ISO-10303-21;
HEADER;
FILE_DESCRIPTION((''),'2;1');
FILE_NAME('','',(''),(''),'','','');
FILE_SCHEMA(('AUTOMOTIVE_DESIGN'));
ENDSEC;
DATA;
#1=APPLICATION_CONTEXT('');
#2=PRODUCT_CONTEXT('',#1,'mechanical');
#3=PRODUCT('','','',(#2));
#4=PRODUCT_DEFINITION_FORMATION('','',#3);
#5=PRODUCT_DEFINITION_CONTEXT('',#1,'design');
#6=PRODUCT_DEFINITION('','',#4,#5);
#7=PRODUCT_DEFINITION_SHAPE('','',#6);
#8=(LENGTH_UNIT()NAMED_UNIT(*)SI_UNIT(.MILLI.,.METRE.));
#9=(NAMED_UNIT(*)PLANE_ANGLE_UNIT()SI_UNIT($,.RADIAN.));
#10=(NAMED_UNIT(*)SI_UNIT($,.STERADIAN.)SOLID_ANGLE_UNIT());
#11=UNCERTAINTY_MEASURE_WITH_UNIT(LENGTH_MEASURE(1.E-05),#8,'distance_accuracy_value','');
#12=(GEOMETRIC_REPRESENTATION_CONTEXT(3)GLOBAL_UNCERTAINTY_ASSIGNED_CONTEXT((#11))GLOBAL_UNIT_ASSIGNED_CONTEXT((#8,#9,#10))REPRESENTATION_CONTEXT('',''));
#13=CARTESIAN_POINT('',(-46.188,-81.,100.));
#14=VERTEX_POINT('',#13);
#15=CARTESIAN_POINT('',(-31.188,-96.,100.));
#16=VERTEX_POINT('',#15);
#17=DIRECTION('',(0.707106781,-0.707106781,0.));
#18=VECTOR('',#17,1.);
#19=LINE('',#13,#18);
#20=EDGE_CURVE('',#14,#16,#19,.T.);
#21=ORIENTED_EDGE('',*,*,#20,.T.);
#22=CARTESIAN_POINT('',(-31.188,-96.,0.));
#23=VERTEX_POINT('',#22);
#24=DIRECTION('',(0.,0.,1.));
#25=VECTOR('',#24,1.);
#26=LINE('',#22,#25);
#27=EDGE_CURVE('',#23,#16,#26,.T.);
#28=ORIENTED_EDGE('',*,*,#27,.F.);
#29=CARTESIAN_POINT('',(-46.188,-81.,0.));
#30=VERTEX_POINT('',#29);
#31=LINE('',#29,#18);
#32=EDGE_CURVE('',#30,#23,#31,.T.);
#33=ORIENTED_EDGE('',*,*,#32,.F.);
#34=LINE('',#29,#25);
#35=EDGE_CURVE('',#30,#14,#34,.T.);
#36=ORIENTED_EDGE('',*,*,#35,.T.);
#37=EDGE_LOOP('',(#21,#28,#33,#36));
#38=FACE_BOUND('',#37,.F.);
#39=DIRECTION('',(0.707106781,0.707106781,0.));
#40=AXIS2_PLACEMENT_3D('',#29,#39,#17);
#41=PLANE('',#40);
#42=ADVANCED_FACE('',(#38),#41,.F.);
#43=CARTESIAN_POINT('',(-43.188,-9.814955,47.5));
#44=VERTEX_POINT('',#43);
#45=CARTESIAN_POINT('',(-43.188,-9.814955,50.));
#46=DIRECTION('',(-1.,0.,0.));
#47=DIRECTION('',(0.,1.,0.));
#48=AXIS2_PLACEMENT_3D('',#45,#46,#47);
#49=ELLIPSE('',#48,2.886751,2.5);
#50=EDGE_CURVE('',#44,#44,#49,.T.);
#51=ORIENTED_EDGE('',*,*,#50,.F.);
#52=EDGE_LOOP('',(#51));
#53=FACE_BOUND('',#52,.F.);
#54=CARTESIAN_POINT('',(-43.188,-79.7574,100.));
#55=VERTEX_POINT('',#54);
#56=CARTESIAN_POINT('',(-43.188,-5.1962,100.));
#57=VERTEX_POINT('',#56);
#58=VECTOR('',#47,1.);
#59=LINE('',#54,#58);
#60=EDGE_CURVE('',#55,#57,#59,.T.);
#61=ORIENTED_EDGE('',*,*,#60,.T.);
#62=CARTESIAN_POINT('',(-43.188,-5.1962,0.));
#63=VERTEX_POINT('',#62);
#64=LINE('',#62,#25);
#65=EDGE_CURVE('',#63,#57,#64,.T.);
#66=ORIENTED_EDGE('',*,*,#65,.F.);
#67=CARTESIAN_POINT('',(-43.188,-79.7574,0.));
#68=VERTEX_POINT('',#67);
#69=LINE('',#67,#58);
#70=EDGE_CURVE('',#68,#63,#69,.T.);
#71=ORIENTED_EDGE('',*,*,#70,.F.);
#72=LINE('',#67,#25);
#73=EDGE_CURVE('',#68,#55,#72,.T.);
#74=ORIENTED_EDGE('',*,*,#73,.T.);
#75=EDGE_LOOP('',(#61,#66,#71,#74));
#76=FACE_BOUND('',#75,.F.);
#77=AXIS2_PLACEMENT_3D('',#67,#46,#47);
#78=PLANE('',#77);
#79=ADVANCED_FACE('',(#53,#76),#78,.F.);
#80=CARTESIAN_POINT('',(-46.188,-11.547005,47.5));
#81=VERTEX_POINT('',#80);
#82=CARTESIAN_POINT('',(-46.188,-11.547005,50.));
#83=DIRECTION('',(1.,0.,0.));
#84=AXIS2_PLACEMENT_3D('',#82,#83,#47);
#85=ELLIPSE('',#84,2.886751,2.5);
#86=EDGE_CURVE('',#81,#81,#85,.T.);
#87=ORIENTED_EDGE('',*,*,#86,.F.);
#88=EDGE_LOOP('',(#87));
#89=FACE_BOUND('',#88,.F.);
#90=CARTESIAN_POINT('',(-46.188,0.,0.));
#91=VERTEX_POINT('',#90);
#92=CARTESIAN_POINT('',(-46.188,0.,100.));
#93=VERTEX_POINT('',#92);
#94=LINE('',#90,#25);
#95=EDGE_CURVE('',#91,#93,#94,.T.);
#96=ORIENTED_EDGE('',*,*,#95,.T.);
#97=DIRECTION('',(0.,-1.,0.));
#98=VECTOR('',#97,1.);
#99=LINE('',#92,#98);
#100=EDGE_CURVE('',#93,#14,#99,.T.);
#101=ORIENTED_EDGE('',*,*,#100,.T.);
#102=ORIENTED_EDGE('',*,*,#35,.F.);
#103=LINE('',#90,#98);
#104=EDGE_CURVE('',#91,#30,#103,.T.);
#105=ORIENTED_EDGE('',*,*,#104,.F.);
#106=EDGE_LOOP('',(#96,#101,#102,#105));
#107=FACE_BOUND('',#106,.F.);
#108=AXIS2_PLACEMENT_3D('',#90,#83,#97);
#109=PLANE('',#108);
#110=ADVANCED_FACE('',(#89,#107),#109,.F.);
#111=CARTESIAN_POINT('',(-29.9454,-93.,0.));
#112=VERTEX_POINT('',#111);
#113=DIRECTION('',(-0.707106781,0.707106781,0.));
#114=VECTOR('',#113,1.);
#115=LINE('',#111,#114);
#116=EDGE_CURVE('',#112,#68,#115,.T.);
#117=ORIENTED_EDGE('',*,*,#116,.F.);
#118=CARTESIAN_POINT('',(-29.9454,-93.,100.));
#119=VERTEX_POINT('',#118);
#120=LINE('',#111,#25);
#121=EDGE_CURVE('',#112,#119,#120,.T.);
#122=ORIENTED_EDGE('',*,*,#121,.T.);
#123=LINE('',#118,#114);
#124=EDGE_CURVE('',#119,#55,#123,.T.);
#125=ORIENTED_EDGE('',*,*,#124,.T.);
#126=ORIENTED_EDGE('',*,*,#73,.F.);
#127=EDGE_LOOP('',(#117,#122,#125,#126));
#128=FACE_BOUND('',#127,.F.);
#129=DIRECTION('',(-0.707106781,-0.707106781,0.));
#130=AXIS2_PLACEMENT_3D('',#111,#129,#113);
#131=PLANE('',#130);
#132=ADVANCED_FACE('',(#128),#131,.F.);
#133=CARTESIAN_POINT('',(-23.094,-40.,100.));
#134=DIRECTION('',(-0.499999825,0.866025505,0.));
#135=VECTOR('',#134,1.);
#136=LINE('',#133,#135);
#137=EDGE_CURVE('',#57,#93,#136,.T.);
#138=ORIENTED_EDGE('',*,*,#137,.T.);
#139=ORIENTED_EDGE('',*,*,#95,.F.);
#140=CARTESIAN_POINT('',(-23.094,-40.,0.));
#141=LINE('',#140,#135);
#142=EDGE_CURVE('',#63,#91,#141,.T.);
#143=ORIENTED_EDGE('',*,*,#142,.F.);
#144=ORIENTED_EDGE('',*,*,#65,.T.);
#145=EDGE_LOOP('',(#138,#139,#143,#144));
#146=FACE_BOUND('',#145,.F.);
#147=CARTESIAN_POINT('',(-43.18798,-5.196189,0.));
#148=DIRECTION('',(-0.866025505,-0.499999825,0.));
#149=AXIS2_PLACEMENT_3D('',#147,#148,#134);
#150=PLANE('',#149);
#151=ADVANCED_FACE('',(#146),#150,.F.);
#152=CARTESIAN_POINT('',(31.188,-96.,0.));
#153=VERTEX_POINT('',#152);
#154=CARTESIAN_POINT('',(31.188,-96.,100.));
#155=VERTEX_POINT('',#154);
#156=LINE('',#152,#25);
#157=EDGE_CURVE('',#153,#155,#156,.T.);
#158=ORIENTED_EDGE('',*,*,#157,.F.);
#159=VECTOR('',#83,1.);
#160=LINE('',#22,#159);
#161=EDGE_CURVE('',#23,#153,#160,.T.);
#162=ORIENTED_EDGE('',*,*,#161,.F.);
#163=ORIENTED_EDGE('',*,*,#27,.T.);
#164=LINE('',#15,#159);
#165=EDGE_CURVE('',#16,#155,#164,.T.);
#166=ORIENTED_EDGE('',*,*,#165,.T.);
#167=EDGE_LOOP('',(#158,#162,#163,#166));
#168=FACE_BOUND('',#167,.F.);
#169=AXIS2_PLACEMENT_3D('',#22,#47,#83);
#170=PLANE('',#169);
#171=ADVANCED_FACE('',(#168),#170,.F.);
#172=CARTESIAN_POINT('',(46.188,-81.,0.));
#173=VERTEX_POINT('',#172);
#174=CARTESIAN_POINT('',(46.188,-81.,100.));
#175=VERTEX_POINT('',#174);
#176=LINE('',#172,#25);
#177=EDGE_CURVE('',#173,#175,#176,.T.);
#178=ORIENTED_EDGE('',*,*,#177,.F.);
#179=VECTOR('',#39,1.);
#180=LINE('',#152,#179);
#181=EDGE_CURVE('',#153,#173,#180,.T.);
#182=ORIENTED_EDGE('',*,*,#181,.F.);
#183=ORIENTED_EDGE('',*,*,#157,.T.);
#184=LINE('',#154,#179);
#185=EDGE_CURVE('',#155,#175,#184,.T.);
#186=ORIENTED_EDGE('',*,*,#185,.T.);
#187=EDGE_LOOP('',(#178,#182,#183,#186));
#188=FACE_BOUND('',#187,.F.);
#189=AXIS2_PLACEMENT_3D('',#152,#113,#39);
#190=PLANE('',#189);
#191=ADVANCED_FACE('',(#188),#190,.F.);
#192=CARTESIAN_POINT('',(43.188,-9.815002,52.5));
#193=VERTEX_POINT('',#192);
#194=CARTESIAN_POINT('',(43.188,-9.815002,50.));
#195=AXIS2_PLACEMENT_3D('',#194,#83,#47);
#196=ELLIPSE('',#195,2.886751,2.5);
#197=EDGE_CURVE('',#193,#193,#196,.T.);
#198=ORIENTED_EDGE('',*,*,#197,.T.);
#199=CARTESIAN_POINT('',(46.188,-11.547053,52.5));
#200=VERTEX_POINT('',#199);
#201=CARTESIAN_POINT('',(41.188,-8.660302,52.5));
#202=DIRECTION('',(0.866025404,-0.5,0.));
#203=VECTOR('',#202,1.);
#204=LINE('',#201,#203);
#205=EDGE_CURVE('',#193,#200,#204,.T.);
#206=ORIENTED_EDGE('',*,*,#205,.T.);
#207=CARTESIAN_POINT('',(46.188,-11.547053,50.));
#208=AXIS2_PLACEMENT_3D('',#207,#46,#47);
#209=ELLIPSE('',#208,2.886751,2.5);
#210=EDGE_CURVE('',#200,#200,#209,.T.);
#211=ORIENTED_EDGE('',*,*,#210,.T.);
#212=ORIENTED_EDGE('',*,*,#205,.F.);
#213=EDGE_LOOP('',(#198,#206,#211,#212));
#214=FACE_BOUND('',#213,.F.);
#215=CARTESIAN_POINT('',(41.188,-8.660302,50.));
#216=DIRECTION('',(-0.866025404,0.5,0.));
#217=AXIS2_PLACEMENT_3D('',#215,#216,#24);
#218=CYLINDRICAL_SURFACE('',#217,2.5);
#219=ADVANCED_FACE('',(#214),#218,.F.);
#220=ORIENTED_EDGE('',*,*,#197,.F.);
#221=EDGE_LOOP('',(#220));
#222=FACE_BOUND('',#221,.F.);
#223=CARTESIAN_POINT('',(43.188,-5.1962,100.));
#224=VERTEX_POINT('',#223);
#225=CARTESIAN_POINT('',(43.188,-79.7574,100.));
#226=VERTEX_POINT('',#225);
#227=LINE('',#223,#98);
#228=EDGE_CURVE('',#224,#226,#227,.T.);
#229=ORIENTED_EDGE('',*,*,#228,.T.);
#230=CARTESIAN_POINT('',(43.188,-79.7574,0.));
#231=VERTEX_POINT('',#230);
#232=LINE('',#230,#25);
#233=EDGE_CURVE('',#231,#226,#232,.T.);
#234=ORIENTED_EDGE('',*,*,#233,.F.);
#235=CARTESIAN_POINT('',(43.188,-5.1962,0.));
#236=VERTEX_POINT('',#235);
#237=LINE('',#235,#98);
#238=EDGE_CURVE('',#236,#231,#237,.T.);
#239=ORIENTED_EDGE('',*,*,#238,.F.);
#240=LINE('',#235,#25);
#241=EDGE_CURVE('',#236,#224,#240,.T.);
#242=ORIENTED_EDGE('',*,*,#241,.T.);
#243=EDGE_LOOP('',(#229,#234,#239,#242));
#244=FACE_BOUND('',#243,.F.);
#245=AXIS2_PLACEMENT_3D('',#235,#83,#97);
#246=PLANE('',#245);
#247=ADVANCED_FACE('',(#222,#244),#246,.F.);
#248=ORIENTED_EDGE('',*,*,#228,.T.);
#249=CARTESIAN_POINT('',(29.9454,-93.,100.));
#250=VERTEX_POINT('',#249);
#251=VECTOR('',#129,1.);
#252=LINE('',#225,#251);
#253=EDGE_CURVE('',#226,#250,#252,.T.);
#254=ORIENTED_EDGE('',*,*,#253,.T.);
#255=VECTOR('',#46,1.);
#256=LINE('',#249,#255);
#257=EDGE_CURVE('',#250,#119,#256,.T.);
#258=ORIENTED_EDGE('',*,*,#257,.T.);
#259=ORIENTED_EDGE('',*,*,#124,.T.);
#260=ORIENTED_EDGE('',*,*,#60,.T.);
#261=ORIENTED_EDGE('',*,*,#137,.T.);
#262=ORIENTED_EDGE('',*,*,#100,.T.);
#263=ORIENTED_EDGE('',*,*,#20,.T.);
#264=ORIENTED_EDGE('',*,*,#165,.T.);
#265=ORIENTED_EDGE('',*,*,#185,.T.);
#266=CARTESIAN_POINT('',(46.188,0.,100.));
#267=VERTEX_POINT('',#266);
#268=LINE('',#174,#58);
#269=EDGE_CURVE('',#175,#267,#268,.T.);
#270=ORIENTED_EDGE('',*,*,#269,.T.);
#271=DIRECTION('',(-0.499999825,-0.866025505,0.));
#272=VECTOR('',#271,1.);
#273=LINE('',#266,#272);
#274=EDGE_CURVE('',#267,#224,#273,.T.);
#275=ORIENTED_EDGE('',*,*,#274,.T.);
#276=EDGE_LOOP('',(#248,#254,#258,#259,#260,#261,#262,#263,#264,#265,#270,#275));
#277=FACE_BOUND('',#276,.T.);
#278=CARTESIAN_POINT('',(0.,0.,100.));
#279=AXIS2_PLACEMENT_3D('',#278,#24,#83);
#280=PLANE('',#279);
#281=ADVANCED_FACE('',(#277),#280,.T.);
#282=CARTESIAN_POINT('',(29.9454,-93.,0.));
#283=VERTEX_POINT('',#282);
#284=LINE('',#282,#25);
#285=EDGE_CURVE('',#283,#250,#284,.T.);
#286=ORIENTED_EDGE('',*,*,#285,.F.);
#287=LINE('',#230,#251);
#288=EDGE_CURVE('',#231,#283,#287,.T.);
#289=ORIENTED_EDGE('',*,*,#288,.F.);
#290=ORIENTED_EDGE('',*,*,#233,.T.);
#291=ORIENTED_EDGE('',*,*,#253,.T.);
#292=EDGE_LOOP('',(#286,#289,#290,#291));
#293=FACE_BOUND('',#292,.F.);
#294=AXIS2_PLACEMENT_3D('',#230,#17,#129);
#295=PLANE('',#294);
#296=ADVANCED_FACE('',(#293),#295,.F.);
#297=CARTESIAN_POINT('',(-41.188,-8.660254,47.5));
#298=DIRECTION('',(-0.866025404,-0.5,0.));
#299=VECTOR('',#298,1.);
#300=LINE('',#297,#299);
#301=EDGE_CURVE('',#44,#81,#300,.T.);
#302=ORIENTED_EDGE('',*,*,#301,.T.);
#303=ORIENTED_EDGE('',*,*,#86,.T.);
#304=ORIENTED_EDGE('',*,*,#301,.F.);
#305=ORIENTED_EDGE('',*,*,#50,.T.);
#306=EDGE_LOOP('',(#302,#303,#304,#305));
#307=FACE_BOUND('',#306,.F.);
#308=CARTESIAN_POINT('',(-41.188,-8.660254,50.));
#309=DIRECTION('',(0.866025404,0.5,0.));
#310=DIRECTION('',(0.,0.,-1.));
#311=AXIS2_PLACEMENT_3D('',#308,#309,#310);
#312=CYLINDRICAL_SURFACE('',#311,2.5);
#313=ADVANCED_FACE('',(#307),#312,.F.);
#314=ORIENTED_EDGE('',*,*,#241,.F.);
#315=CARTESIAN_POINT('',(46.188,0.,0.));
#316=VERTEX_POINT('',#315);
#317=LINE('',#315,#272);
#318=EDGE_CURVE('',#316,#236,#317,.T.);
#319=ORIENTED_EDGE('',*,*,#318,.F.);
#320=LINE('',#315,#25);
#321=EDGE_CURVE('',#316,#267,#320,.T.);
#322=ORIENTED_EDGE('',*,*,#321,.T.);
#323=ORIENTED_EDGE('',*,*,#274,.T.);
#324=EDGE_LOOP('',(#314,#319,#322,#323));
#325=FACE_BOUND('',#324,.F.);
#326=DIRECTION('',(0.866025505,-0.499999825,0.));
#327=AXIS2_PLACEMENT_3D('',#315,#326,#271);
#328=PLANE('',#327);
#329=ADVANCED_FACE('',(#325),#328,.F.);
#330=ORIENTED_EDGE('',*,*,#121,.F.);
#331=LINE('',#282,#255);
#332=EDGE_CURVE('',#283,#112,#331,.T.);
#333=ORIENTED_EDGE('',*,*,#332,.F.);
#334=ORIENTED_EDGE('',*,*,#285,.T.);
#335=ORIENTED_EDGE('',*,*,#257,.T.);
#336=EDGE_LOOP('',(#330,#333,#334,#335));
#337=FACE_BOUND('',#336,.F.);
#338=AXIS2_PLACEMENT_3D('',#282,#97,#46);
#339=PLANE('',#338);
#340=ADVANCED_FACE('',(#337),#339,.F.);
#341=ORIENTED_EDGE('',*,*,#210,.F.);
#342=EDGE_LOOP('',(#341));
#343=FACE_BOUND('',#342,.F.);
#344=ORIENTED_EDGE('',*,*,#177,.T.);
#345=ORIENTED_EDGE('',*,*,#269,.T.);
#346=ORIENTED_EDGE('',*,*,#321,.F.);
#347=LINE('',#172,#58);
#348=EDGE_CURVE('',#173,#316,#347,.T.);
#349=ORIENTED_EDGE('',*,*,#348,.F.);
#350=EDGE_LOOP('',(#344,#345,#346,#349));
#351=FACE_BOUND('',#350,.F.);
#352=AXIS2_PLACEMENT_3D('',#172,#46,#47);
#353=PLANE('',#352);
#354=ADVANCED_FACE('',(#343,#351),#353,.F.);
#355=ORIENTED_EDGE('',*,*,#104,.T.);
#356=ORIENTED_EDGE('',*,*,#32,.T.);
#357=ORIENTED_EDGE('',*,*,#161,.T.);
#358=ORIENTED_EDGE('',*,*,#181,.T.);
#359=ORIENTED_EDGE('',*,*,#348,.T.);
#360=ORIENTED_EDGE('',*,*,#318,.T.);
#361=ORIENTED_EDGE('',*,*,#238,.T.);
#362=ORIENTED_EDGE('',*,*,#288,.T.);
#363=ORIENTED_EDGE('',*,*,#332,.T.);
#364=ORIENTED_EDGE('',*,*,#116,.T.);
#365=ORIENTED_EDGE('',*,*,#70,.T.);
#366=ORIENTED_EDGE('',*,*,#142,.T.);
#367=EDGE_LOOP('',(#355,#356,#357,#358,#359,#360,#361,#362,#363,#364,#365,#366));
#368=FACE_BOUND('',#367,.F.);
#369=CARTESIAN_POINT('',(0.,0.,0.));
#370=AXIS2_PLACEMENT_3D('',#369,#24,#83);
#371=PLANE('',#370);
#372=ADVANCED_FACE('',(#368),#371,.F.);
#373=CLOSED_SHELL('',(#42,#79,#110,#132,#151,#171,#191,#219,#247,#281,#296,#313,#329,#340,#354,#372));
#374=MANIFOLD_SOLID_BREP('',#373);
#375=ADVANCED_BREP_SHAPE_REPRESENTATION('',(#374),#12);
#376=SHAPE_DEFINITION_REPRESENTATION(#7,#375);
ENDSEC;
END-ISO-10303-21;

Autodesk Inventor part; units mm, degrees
ref_plane "YZ Plane" through (0, 0, 0) normal (1, 0, 0) x (0, 1, 0)
ref_plane "XZ Plane" through (0, 0, 0) normal (0, 1, 0) x (-1, 0, 0)
ref_plane "XY Plane" through (0, 0, 0) normal (0, 0, 1) x (1, 0, 0)
sketch "Sketch1" plane through (0, 0, 0) normal (0, 0, 1) x (1, 0, 0)
  line L0 (-46.188, 0) -> (-23.094, 40)
  line L1 (-23.094, 40) -> (23.094, 40)
  line L2 (23.094, 40) -> (46.188, 0)
  line L3 (46.188, 0) -> (23.094, -40)
  line L4 (23.094, -40) -> (-23.094, -40)
  line L5 (-23.094, -40) -> (-46.188, 0)
  line L6 (-48.188, 0) -> (-46.188, 0)
  line L7 (46.188, 0) -> (48.188, 0)
  line L8 (-46.188, 0) -> (-43.188, -5.1962)
  line L9 (46.188, 0) -> (43.188, -5.1962)
  line L10 (-46.188, 0) -> (-46.188, -81)
  line L11 (-46.188, -81) -> (-31.188, -96)
  line L12 (-31.188, -96) -> (31.188, -96)
  line L13 (31.188, -96) -> (46.188, -81)
  line L14 (46.188, -81) -> (46.188, 0)
  line L15 (43.188, -5.1962) -> (43.188, -79.7574)
  line L16 (43.188, -79.7574) -> (29.9454, -93)
  line L17 (29.9454, -93) -> (-29.9454, -93)
  line L18 (-29.9454, -93) -> (-43.188, -79.7574)
  line L19 (-43.188, -79.7574) -> (-43.188, -5.1962)
  point P0 (0, 0)
  point P1 (0, 0)
  point P2 (0, -96)
  dimension "d0" = 80
  dimension "d6" = 56
  dimension "d7" = 15
  dimension "d8" = 15
  dimension "d9" = 3
extrude "Extrusion1" add sketch "Sketch1" along normal blind 100 contours L5 L19 L18 L17 L16 L15 L3 L14 L13 L12 L11 L10
sketch "Sketch2" plane through (-46.188, 0, 100) normal (0.866, 0.5, 0) x (0, 0, -1)
  circle A0 centre (50, -10) radius 2.5
  line L0 (100, 0) -> (0, 0) projected
  point P0 (100, -23.094)
  point P1 (50, 0)
  dimension "d10" = 5
  dimension "d11" = 10
extrude "Extrusion2" cut sketch "Sketch2" against normal through all
sketch "Sketch3" plane through (43.188, -5.1962, 0) normal (-0.866, 0.5, 0) x (0, 0, 1)
  circle A0 centre (50, -4) radius 2.5
  line L0 (0, 6) -> (100, 6) projected
  point P0 (0, -17.094)
  point P1 (50, 6)
  dimension "d14" = 5
  dimension "d15" = 10
extrude "Extrusion3" cut sketch "Sketch3" against normal through all
properties part number "A03" material "ABS Plastic"
